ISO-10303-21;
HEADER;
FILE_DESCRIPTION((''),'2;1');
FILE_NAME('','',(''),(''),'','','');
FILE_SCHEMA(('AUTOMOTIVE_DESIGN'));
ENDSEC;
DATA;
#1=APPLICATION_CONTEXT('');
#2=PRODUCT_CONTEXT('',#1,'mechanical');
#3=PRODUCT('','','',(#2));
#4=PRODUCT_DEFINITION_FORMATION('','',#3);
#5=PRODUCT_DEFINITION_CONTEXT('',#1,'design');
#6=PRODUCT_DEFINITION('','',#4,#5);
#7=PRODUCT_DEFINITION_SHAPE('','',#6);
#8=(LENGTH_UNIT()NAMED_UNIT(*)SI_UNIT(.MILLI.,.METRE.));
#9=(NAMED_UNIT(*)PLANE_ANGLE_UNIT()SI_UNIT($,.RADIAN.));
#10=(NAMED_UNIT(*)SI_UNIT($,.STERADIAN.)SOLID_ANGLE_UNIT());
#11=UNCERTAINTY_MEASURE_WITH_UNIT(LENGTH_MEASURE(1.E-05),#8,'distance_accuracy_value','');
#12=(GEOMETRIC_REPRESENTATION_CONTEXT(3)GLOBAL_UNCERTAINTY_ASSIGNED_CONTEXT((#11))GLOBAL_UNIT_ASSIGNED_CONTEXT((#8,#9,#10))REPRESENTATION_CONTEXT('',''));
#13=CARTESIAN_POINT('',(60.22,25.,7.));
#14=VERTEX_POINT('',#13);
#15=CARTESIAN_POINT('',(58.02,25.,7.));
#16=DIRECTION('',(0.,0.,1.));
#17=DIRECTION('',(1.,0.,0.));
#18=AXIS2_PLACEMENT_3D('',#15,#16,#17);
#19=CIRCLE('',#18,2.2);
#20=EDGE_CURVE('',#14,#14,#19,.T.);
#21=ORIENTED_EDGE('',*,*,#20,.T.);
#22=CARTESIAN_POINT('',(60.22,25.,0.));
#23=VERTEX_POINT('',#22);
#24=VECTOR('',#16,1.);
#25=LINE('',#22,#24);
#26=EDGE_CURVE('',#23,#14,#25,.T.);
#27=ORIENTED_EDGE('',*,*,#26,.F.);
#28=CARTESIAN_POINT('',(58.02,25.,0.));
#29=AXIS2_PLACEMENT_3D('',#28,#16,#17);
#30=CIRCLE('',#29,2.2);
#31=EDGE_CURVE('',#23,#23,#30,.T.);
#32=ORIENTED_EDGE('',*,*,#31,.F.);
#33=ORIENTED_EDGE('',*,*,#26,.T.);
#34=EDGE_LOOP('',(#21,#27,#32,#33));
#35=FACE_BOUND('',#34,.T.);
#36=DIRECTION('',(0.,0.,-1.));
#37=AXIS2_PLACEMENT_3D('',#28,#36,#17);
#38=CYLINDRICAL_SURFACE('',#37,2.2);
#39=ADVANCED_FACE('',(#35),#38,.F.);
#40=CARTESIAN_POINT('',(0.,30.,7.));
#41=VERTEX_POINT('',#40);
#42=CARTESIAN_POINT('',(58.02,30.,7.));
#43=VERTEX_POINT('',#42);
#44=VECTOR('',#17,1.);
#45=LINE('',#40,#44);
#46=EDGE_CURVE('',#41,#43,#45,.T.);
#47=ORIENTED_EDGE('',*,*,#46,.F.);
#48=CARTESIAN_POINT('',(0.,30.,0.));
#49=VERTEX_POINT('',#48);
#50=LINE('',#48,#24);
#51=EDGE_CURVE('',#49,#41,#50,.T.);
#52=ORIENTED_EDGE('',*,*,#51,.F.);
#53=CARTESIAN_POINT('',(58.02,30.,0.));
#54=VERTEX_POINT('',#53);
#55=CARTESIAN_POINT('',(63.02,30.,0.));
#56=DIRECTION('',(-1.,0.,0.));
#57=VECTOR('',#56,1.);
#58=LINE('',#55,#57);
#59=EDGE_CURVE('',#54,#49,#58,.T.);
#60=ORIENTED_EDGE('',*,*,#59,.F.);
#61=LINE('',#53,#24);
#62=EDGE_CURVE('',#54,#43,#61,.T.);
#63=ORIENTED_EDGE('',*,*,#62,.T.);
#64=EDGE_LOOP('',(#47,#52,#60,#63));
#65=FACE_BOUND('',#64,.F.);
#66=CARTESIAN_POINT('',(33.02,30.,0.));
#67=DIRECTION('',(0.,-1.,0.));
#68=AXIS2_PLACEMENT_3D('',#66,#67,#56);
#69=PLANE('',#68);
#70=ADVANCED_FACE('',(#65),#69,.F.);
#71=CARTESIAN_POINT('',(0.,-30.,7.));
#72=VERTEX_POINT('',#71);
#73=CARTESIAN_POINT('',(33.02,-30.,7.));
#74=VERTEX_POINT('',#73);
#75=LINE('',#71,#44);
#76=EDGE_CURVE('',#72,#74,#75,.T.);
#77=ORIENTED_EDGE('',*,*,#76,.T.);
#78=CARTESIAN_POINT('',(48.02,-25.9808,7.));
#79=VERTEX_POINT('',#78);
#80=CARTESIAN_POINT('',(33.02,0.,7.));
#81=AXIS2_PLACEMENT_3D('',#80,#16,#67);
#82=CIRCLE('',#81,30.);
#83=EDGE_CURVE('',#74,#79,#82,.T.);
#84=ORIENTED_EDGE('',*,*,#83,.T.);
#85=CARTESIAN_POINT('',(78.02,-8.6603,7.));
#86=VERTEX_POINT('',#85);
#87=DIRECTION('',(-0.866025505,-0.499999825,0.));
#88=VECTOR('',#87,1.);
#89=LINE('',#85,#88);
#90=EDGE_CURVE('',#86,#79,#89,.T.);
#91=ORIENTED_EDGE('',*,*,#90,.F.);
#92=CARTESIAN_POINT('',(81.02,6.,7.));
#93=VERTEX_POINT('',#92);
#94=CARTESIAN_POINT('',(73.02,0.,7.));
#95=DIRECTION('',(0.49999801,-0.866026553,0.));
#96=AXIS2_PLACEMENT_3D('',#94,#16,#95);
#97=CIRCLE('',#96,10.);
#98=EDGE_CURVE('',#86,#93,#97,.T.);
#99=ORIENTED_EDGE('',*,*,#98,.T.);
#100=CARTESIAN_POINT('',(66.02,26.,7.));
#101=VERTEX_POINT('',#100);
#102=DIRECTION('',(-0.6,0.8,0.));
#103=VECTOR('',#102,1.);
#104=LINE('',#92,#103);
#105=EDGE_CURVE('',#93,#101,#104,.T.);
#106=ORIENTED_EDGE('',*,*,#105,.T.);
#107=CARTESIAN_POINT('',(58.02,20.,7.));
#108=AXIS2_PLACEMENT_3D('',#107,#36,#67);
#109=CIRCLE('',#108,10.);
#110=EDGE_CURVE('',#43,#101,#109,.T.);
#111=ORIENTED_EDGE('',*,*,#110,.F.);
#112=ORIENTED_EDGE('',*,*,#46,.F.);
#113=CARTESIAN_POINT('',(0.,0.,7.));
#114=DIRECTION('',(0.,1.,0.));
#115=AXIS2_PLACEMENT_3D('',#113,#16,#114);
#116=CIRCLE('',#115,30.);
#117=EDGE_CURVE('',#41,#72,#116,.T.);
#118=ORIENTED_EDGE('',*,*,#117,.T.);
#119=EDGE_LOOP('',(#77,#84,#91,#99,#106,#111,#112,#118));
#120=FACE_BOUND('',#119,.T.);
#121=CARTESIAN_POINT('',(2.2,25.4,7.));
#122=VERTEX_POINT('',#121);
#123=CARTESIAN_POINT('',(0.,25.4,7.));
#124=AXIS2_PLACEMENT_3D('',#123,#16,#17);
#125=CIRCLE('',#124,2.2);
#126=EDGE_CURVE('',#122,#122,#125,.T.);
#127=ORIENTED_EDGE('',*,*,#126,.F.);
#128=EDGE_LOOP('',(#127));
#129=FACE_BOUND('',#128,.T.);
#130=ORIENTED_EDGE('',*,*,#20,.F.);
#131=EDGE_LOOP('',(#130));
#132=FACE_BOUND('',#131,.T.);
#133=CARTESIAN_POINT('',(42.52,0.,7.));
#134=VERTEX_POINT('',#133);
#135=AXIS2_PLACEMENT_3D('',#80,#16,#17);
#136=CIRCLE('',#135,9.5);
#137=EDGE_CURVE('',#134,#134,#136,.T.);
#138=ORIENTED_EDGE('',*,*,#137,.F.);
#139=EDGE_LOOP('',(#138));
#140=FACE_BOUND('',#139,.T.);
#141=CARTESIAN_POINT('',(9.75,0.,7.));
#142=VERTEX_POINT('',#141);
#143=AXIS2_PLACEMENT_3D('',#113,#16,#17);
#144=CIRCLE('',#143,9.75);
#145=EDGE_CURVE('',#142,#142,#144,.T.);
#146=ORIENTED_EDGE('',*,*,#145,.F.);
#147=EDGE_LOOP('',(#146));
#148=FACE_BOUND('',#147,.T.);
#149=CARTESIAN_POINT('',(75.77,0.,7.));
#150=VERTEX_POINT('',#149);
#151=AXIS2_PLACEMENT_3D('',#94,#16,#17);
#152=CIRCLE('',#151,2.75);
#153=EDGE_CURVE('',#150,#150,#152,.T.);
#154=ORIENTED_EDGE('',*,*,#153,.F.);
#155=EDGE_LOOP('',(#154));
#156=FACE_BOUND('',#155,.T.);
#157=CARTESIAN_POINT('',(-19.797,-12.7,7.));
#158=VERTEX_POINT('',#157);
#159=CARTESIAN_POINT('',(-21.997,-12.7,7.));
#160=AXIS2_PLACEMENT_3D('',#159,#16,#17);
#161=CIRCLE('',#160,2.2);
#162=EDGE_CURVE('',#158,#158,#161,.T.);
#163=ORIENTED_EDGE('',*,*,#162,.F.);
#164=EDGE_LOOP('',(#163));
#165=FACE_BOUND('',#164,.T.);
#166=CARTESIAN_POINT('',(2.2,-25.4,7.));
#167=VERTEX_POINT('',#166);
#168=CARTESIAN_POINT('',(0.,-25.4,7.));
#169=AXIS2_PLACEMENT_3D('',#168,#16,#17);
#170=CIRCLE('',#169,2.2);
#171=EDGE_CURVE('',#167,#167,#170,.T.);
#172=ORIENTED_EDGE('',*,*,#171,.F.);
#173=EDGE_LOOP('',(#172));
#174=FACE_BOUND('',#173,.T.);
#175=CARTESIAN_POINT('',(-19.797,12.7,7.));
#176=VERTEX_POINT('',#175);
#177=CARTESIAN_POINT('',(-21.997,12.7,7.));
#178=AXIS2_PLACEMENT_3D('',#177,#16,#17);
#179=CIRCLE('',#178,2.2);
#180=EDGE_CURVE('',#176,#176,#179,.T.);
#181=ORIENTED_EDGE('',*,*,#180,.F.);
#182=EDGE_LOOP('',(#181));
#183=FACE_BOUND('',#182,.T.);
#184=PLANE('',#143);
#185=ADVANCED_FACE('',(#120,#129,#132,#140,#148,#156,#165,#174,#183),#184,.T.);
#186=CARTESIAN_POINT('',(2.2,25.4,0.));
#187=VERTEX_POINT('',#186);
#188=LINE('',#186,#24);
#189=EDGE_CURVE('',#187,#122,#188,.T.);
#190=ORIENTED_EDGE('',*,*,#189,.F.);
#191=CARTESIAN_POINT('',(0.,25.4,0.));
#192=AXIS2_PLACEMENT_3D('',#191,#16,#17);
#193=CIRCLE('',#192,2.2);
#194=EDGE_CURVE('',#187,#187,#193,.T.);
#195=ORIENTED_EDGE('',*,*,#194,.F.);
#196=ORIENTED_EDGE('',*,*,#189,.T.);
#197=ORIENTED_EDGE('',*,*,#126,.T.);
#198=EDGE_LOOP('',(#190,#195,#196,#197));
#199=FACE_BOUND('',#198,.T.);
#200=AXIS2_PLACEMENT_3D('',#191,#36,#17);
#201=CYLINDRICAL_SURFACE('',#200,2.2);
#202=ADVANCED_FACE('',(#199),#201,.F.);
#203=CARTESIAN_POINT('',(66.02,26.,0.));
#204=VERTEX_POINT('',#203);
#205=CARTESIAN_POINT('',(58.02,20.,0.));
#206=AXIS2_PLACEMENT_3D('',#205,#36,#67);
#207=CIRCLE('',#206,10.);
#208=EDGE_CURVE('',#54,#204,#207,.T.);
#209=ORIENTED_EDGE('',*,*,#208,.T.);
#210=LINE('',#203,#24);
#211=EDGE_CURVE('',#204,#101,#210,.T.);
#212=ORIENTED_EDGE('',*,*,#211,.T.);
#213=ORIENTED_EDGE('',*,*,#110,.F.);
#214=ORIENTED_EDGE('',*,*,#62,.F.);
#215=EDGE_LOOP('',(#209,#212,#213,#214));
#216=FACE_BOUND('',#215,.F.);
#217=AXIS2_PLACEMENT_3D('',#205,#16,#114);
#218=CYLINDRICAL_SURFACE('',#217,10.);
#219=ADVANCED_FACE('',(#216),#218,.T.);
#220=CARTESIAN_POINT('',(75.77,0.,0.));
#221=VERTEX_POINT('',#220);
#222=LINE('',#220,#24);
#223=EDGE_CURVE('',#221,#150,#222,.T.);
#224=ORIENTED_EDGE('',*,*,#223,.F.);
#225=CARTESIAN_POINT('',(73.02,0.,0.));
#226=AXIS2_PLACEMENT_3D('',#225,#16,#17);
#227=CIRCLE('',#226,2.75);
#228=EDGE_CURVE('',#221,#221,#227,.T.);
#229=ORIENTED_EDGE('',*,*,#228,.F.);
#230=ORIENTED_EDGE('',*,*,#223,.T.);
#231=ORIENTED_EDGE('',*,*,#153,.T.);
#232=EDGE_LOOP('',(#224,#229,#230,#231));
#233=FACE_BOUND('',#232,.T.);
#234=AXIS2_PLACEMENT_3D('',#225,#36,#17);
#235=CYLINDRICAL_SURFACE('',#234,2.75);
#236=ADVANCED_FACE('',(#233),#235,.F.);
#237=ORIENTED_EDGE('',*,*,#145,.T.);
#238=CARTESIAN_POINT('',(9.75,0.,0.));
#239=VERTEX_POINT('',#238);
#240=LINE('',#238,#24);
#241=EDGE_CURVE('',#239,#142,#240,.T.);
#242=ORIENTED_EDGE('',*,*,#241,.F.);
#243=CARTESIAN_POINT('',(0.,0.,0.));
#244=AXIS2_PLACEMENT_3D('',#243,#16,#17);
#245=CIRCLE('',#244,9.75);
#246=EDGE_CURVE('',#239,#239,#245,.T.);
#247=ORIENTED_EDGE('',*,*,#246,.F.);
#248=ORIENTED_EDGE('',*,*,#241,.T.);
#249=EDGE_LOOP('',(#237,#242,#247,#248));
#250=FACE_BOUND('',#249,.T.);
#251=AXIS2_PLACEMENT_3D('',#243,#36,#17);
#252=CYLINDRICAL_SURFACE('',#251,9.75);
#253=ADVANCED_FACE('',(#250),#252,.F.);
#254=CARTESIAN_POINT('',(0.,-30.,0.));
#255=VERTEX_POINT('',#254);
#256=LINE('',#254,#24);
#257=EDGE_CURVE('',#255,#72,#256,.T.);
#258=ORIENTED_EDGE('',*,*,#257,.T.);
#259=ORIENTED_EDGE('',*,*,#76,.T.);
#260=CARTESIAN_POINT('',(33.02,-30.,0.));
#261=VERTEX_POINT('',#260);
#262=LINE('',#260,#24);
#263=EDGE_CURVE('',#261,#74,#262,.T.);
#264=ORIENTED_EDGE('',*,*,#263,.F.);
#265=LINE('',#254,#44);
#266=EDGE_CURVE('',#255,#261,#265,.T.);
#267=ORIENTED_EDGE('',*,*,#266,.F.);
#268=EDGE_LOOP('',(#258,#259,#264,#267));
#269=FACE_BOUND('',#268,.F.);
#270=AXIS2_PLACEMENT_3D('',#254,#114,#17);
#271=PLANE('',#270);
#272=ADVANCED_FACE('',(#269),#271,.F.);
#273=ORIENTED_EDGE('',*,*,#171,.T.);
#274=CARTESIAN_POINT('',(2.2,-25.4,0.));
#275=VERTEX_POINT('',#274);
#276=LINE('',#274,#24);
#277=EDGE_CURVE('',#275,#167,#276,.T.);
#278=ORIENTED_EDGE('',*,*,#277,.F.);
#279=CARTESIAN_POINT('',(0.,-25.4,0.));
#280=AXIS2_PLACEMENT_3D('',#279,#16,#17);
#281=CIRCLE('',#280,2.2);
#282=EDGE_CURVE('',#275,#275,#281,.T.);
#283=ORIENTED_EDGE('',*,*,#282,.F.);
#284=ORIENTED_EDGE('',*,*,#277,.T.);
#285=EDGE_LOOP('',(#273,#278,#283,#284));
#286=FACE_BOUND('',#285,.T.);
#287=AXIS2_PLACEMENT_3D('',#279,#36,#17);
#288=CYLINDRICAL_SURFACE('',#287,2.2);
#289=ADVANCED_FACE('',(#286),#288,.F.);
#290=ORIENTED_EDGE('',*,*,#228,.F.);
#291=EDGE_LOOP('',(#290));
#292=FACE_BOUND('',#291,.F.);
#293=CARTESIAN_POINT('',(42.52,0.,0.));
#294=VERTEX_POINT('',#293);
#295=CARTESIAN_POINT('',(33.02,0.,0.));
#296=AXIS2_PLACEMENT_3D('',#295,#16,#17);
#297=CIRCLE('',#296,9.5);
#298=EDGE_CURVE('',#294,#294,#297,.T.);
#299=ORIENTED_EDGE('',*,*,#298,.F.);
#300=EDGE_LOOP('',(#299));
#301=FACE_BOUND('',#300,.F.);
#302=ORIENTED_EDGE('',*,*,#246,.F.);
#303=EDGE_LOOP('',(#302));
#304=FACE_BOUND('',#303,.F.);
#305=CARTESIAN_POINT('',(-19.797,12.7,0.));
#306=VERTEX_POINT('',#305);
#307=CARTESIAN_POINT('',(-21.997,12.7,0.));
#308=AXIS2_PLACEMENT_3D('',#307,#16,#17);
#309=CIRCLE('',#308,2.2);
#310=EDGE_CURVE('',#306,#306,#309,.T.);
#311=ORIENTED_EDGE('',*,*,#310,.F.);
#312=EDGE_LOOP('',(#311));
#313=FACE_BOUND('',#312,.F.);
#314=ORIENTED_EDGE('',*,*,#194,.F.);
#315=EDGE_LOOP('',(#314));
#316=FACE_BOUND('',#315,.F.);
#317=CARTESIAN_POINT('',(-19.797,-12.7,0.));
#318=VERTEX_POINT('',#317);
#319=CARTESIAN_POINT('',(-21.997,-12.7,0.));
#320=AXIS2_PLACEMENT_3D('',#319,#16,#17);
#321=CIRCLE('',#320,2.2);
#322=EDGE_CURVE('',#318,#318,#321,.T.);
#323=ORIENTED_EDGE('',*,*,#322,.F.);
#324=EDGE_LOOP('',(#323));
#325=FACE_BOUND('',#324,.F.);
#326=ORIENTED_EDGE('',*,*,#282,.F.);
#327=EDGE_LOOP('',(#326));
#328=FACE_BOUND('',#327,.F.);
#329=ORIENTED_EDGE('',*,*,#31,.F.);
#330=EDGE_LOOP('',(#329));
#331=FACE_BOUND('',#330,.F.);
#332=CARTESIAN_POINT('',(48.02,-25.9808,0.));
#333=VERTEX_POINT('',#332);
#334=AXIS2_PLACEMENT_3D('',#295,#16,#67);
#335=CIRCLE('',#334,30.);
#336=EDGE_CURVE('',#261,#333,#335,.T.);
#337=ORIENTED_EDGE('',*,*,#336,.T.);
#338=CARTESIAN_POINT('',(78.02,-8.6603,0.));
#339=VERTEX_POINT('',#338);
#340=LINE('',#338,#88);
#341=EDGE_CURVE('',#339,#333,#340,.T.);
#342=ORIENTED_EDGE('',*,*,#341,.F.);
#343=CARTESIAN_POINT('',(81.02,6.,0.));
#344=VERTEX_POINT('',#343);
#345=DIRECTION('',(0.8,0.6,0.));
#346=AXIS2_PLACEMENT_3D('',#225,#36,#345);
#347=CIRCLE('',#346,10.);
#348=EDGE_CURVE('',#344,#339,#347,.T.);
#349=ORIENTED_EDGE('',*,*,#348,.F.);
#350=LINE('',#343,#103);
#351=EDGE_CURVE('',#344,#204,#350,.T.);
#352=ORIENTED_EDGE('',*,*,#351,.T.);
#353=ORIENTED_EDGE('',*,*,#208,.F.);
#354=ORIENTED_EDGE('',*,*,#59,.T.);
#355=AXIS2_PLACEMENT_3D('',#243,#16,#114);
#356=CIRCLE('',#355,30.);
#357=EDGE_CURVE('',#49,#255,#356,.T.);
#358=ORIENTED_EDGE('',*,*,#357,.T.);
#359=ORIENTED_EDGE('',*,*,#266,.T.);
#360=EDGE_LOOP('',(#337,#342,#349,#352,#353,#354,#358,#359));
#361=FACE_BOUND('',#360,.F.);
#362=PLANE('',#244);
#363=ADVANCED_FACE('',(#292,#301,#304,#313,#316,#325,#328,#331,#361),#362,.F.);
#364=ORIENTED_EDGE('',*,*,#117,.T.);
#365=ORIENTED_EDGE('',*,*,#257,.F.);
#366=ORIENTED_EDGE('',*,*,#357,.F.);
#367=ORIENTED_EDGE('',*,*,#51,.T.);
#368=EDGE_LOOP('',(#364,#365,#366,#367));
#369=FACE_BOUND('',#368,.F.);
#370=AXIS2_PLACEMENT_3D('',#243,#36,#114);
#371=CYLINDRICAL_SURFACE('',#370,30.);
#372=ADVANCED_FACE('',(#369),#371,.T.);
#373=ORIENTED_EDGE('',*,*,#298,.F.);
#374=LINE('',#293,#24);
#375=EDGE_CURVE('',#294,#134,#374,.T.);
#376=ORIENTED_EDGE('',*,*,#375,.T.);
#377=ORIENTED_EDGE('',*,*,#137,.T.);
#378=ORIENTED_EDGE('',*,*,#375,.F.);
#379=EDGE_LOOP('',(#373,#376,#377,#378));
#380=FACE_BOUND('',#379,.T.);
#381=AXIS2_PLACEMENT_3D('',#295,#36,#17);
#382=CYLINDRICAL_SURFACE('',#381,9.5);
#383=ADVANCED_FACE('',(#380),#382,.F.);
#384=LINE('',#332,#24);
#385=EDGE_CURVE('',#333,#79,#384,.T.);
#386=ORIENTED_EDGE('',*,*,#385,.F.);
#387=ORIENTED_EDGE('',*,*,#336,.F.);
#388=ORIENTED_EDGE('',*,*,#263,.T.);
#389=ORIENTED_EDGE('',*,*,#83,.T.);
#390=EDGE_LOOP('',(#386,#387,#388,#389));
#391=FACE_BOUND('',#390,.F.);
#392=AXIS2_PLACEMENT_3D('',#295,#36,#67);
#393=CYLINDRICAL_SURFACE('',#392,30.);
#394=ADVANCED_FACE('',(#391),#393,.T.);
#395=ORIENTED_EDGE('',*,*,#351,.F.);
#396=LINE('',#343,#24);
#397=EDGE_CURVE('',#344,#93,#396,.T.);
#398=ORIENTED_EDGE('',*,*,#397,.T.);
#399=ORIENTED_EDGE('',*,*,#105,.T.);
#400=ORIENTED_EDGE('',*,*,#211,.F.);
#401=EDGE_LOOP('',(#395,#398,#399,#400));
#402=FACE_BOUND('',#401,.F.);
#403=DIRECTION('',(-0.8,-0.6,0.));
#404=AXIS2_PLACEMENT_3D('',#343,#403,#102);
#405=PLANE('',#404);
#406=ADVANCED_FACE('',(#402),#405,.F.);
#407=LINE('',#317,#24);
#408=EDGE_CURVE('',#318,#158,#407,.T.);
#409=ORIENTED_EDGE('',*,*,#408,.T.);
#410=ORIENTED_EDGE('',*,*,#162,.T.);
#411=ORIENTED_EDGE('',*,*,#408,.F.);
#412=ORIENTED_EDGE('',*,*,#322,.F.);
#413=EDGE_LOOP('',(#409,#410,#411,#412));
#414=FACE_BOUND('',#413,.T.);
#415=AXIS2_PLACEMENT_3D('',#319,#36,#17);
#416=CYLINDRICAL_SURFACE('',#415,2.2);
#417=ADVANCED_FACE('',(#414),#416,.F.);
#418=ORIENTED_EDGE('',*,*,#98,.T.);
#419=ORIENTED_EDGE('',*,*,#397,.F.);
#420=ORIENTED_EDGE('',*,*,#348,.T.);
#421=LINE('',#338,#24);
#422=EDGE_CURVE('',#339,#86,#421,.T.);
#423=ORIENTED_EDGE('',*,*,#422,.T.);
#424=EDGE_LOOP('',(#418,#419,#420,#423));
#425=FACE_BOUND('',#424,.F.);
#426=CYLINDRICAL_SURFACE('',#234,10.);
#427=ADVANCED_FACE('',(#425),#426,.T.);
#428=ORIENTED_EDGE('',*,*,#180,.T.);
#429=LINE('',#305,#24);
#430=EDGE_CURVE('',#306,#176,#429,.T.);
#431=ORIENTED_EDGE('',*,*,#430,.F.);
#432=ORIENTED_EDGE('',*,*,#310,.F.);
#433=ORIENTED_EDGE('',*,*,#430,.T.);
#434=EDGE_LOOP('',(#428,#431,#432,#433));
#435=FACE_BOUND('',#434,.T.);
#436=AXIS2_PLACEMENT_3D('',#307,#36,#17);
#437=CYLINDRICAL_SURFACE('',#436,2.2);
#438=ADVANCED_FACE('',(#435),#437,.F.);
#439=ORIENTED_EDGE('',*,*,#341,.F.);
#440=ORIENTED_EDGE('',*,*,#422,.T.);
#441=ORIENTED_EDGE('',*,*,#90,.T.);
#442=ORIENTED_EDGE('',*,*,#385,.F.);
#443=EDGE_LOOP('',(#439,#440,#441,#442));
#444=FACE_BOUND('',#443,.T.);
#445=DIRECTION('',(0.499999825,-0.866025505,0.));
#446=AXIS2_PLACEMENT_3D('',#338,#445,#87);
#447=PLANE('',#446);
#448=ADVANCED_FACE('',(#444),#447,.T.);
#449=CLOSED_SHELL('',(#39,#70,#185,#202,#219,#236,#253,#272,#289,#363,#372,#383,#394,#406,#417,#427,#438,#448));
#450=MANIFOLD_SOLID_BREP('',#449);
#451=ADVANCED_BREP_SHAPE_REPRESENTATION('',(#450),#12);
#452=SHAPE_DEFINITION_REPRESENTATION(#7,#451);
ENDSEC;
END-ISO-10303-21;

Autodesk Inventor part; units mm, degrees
ref_plane "YZ Plane" through (0, 0, 0) normal (1, 0, 0) x (0, 1, 0)
ref_plane "XZ Plane" through (0, 0, 0) normal (0, 1, 0) x (-1, 0, 0)
ref_plane "XY Plane" through (0, 0, 0) normal (0, 0, 1) x (1, 0, 0)
sketch "Sketch1" plane through (0, 0, 0) normal (0, 0, 1) x (1, 0, 0)
  circle A0 centre (0, 0) radius 7.62 construction
  circle A1 centre (0, 0) radius 9.75
  circle A2 centre (33.02, 0) radius 25.4 construction
  line L0 (0, 0) -> (7.62, 0)
  line L1 (0, 0) -> (7.62, 0) construction
  circle A3 centre (33.02, 0) radius 9.5
  line L2 (0, -30) -> (33.02, -30)
  line L3 (33.02, 30) -> (0, 30)
  arc A4 (33.02, -30) -> (63.02, 0) centre (33.02, 0) ccw
  arc A5 (0, 30) -> (0, -30) centre (0, 0) ccw
  circle A6 centre (0, 0) radius 25.4 construction
  line L4 (0, 25.4) -> (0, 0) construction
  line L5 (0, 25.4) -> (25.4, 25.4) construction
  circle A7 centre (0, 25.4) radius 2.2
  circle A8 centre (-21.997, 12.7) radius 2.2
  circle A9 centre (-21.997, -12.7) radius 2.2
  circle A10 centre (0, -25.4) radius 2.2
  circle A11 centre (21.997, -12.7) radius 2.2
  circle A12 centre (21.997, 12.7) radius 2.2
  line L6 (63.02, 0) -> (63.02, 30)
  line L7 (63.02, 30) -> (33.02, 30)
  circle A13 centre (58.02, 25) radius 2.2
  circle A14 centre (73.02, 0) radius 2.75
  circle A15 centre (73.02, 0) radius 10
  line L8 (81.02, 6) -> (63.02, 30)
  line L9 (78.02, -8.6603) -> (48.02, -25.9808)
  dimension "d13" = 50.8
  dimension "d0" = 15.24
  dimension "d1" = 19.5
  dimension "d2" = 50.8
  dimension "d3" = 7.62
  dimension "d4" = 0
  dimension "d5" = 33.02
  dimension "d6" = 19
  dimension "d9" = 30
  dimension "d10" = 60
  dimension "d14" = 25.4
  dimension "d15" = 90
  dimension "d16" = 4.4
  dimension "d19" = 360
  dimension "d21" = 30
  dimension "d22" = 30
  dimension "d26" = 90
  dimension "d28" = 4.4
  dimension "d29" = 5
  dimension "d30" = 5
  dimension "d38" = 5.5
  dimension "d39" = 10
  dimension "d40" = 20
extrude "Extrusion1" add sketch "Sketch1" along normal blind 7 contours A5 L3 L7 L6 A4 L2 | A4 A15 L9 | L6 L8 A15 | A15 | A11 | A12
fillet "Fillet2" radius 10 1 edges at (63.02, 30, 3.5)
properties part number "Inner Plate" material "Aluminum 6061"
